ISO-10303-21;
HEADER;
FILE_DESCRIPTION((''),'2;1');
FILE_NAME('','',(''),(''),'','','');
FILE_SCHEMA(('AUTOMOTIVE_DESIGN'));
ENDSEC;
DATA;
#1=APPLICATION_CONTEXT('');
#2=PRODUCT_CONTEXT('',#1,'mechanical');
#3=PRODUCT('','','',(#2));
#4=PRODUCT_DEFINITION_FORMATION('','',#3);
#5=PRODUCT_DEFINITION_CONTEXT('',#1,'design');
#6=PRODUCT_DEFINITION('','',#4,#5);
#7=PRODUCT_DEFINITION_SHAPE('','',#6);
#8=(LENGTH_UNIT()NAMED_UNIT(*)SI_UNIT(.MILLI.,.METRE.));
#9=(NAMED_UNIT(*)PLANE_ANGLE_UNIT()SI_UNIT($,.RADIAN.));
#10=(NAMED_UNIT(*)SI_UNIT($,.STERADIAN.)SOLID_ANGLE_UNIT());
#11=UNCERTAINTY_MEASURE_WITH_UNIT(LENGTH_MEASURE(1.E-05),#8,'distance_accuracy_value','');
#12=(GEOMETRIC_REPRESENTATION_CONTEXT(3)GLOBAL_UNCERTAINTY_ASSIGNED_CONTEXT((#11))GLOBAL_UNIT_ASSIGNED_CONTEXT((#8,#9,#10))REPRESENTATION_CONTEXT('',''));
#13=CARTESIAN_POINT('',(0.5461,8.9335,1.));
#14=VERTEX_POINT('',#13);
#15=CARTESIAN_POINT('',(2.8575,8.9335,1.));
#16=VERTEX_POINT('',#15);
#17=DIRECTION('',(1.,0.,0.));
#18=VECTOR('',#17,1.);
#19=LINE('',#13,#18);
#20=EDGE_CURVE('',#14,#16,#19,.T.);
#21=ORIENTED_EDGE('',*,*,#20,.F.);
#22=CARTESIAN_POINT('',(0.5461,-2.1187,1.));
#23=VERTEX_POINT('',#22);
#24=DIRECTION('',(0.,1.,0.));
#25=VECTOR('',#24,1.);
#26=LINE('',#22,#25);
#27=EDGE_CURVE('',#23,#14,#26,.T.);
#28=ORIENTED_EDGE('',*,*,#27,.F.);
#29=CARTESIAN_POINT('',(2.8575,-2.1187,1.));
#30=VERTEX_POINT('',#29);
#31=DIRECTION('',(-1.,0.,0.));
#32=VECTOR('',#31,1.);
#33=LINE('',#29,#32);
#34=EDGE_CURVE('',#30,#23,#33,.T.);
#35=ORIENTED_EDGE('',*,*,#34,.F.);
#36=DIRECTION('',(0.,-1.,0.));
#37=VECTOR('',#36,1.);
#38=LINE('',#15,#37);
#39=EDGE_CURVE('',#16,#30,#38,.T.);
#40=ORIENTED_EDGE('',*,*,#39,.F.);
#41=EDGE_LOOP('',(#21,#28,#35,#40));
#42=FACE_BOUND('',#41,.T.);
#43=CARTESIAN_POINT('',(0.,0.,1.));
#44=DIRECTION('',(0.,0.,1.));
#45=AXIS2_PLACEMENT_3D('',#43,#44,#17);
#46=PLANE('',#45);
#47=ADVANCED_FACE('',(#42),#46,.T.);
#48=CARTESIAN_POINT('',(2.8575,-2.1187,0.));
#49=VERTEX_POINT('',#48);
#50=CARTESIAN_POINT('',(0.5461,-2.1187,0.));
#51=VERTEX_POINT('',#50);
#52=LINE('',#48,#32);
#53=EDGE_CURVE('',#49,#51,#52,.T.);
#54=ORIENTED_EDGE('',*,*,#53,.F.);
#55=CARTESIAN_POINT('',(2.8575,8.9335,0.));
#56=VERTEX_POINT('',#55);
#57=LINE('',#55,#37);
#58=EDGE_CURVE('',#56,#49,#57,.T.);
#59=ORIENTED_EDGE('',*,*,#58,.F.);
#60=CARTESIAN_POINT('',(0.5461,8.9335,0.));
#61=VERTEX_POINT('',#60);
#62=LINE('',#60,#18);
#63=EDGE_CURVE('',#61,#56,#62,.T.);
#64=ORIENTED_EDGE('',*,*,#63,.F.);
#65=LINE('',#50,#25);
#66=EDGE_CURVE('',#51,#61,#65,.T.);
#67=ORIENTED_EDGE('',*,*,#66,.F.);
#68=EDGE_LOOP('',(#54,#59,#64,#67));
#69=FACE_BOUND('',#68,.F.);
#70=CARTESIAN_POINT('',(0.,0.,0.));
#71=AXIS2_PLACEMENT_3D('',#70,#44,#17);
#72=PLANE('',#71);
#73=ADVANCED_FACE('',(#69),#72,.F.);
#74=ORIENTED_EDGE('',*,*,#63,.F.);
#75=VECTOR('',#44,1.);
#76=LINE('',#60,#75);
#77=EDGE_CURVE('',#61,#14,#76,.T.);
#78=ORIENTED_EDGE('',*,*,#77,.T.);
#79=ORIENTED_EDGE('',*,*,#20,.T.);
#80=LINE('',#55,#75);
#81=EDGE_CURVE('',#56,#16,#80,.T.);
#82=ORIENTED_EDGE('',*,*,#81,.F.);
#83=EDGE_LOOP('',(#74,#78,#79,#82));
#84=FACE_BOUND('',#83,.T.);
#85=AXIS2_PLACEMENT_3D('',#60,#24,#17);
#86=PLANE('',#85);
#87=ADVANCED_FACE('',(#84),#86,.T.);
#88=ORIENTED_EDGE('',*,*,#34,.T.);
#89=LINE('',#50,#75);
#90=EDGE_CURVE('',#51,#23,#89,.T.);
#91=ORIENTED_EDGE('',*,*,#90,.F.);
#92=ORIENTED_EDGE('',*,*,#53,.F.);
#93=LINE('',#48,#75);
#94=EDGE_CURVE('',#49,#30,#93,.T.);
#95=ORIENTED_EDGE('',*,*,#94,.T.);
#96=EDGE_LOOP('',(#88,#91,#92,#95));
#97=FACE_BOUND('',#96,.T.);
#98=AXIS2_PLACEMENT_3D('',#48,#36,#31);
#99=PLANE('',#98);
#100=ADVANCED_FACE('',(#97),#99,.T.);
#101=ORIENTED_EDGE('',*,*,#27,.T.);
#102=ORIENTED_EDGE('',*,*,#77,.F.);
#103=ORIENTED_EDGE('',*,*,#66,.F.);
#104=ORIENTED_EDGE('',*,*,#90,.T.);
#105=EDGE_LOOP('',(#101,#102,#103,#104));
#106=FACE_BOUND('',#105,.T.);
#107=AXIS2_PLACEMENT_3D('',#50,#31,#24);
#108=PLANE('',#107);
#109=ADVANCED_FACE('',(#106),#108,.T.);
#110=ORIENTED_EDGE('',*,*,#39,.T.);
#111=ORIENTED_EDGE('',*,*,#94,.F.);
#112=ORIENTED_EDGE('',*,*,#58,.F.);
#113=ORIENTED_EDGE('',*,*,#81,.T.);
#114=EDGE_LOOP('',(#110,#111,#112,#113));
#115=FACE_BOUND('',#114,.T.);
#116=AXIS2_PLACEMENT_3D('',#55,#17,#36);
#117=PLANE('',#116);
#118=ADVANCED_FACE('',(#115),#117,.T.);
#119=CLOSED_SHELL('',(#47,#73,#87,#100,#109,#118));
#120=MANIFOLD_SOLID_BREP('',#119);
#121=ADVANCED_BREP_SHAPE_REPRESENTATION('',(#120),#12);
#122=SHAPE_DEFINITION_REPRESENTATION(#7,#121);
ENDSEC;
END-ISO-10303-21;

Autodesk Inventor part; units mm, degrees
ref_plane "YZ Plane" through (0, 0, 0) normal (1, 0, 0) x (0, 1, 0)
ref_plane "XZ Plane" through (0, 0, 0) normal (0, 1, 0) x (-1, 0, 0)
ref_plane "XY Plane" through (0, 0, 0) normal (0, 0, 1) x (1, 0, 0)
sketch "Sketch1" plane through (0, 0, 0) normal (0, 0, 1) x (1, 0, 0)
  line L0 (0.5461, 8.9335) -> (2.8575, 8.9335)
  line L1 (2.8575, 8.9335) -> (2.8575, -2.1187)
  line L2 (2.8575, -2.1187) -> (0.5461, -2.1187)
  line L3 (0.5461, -2.1187) -> (0.5461, 8.9335)
  point P0 (0, 0)
  dimension "d0" = 2.3114
extrude "Extrusion1" add sketch "Sketch1" along normal blind 1
properties part number "lcd2"
